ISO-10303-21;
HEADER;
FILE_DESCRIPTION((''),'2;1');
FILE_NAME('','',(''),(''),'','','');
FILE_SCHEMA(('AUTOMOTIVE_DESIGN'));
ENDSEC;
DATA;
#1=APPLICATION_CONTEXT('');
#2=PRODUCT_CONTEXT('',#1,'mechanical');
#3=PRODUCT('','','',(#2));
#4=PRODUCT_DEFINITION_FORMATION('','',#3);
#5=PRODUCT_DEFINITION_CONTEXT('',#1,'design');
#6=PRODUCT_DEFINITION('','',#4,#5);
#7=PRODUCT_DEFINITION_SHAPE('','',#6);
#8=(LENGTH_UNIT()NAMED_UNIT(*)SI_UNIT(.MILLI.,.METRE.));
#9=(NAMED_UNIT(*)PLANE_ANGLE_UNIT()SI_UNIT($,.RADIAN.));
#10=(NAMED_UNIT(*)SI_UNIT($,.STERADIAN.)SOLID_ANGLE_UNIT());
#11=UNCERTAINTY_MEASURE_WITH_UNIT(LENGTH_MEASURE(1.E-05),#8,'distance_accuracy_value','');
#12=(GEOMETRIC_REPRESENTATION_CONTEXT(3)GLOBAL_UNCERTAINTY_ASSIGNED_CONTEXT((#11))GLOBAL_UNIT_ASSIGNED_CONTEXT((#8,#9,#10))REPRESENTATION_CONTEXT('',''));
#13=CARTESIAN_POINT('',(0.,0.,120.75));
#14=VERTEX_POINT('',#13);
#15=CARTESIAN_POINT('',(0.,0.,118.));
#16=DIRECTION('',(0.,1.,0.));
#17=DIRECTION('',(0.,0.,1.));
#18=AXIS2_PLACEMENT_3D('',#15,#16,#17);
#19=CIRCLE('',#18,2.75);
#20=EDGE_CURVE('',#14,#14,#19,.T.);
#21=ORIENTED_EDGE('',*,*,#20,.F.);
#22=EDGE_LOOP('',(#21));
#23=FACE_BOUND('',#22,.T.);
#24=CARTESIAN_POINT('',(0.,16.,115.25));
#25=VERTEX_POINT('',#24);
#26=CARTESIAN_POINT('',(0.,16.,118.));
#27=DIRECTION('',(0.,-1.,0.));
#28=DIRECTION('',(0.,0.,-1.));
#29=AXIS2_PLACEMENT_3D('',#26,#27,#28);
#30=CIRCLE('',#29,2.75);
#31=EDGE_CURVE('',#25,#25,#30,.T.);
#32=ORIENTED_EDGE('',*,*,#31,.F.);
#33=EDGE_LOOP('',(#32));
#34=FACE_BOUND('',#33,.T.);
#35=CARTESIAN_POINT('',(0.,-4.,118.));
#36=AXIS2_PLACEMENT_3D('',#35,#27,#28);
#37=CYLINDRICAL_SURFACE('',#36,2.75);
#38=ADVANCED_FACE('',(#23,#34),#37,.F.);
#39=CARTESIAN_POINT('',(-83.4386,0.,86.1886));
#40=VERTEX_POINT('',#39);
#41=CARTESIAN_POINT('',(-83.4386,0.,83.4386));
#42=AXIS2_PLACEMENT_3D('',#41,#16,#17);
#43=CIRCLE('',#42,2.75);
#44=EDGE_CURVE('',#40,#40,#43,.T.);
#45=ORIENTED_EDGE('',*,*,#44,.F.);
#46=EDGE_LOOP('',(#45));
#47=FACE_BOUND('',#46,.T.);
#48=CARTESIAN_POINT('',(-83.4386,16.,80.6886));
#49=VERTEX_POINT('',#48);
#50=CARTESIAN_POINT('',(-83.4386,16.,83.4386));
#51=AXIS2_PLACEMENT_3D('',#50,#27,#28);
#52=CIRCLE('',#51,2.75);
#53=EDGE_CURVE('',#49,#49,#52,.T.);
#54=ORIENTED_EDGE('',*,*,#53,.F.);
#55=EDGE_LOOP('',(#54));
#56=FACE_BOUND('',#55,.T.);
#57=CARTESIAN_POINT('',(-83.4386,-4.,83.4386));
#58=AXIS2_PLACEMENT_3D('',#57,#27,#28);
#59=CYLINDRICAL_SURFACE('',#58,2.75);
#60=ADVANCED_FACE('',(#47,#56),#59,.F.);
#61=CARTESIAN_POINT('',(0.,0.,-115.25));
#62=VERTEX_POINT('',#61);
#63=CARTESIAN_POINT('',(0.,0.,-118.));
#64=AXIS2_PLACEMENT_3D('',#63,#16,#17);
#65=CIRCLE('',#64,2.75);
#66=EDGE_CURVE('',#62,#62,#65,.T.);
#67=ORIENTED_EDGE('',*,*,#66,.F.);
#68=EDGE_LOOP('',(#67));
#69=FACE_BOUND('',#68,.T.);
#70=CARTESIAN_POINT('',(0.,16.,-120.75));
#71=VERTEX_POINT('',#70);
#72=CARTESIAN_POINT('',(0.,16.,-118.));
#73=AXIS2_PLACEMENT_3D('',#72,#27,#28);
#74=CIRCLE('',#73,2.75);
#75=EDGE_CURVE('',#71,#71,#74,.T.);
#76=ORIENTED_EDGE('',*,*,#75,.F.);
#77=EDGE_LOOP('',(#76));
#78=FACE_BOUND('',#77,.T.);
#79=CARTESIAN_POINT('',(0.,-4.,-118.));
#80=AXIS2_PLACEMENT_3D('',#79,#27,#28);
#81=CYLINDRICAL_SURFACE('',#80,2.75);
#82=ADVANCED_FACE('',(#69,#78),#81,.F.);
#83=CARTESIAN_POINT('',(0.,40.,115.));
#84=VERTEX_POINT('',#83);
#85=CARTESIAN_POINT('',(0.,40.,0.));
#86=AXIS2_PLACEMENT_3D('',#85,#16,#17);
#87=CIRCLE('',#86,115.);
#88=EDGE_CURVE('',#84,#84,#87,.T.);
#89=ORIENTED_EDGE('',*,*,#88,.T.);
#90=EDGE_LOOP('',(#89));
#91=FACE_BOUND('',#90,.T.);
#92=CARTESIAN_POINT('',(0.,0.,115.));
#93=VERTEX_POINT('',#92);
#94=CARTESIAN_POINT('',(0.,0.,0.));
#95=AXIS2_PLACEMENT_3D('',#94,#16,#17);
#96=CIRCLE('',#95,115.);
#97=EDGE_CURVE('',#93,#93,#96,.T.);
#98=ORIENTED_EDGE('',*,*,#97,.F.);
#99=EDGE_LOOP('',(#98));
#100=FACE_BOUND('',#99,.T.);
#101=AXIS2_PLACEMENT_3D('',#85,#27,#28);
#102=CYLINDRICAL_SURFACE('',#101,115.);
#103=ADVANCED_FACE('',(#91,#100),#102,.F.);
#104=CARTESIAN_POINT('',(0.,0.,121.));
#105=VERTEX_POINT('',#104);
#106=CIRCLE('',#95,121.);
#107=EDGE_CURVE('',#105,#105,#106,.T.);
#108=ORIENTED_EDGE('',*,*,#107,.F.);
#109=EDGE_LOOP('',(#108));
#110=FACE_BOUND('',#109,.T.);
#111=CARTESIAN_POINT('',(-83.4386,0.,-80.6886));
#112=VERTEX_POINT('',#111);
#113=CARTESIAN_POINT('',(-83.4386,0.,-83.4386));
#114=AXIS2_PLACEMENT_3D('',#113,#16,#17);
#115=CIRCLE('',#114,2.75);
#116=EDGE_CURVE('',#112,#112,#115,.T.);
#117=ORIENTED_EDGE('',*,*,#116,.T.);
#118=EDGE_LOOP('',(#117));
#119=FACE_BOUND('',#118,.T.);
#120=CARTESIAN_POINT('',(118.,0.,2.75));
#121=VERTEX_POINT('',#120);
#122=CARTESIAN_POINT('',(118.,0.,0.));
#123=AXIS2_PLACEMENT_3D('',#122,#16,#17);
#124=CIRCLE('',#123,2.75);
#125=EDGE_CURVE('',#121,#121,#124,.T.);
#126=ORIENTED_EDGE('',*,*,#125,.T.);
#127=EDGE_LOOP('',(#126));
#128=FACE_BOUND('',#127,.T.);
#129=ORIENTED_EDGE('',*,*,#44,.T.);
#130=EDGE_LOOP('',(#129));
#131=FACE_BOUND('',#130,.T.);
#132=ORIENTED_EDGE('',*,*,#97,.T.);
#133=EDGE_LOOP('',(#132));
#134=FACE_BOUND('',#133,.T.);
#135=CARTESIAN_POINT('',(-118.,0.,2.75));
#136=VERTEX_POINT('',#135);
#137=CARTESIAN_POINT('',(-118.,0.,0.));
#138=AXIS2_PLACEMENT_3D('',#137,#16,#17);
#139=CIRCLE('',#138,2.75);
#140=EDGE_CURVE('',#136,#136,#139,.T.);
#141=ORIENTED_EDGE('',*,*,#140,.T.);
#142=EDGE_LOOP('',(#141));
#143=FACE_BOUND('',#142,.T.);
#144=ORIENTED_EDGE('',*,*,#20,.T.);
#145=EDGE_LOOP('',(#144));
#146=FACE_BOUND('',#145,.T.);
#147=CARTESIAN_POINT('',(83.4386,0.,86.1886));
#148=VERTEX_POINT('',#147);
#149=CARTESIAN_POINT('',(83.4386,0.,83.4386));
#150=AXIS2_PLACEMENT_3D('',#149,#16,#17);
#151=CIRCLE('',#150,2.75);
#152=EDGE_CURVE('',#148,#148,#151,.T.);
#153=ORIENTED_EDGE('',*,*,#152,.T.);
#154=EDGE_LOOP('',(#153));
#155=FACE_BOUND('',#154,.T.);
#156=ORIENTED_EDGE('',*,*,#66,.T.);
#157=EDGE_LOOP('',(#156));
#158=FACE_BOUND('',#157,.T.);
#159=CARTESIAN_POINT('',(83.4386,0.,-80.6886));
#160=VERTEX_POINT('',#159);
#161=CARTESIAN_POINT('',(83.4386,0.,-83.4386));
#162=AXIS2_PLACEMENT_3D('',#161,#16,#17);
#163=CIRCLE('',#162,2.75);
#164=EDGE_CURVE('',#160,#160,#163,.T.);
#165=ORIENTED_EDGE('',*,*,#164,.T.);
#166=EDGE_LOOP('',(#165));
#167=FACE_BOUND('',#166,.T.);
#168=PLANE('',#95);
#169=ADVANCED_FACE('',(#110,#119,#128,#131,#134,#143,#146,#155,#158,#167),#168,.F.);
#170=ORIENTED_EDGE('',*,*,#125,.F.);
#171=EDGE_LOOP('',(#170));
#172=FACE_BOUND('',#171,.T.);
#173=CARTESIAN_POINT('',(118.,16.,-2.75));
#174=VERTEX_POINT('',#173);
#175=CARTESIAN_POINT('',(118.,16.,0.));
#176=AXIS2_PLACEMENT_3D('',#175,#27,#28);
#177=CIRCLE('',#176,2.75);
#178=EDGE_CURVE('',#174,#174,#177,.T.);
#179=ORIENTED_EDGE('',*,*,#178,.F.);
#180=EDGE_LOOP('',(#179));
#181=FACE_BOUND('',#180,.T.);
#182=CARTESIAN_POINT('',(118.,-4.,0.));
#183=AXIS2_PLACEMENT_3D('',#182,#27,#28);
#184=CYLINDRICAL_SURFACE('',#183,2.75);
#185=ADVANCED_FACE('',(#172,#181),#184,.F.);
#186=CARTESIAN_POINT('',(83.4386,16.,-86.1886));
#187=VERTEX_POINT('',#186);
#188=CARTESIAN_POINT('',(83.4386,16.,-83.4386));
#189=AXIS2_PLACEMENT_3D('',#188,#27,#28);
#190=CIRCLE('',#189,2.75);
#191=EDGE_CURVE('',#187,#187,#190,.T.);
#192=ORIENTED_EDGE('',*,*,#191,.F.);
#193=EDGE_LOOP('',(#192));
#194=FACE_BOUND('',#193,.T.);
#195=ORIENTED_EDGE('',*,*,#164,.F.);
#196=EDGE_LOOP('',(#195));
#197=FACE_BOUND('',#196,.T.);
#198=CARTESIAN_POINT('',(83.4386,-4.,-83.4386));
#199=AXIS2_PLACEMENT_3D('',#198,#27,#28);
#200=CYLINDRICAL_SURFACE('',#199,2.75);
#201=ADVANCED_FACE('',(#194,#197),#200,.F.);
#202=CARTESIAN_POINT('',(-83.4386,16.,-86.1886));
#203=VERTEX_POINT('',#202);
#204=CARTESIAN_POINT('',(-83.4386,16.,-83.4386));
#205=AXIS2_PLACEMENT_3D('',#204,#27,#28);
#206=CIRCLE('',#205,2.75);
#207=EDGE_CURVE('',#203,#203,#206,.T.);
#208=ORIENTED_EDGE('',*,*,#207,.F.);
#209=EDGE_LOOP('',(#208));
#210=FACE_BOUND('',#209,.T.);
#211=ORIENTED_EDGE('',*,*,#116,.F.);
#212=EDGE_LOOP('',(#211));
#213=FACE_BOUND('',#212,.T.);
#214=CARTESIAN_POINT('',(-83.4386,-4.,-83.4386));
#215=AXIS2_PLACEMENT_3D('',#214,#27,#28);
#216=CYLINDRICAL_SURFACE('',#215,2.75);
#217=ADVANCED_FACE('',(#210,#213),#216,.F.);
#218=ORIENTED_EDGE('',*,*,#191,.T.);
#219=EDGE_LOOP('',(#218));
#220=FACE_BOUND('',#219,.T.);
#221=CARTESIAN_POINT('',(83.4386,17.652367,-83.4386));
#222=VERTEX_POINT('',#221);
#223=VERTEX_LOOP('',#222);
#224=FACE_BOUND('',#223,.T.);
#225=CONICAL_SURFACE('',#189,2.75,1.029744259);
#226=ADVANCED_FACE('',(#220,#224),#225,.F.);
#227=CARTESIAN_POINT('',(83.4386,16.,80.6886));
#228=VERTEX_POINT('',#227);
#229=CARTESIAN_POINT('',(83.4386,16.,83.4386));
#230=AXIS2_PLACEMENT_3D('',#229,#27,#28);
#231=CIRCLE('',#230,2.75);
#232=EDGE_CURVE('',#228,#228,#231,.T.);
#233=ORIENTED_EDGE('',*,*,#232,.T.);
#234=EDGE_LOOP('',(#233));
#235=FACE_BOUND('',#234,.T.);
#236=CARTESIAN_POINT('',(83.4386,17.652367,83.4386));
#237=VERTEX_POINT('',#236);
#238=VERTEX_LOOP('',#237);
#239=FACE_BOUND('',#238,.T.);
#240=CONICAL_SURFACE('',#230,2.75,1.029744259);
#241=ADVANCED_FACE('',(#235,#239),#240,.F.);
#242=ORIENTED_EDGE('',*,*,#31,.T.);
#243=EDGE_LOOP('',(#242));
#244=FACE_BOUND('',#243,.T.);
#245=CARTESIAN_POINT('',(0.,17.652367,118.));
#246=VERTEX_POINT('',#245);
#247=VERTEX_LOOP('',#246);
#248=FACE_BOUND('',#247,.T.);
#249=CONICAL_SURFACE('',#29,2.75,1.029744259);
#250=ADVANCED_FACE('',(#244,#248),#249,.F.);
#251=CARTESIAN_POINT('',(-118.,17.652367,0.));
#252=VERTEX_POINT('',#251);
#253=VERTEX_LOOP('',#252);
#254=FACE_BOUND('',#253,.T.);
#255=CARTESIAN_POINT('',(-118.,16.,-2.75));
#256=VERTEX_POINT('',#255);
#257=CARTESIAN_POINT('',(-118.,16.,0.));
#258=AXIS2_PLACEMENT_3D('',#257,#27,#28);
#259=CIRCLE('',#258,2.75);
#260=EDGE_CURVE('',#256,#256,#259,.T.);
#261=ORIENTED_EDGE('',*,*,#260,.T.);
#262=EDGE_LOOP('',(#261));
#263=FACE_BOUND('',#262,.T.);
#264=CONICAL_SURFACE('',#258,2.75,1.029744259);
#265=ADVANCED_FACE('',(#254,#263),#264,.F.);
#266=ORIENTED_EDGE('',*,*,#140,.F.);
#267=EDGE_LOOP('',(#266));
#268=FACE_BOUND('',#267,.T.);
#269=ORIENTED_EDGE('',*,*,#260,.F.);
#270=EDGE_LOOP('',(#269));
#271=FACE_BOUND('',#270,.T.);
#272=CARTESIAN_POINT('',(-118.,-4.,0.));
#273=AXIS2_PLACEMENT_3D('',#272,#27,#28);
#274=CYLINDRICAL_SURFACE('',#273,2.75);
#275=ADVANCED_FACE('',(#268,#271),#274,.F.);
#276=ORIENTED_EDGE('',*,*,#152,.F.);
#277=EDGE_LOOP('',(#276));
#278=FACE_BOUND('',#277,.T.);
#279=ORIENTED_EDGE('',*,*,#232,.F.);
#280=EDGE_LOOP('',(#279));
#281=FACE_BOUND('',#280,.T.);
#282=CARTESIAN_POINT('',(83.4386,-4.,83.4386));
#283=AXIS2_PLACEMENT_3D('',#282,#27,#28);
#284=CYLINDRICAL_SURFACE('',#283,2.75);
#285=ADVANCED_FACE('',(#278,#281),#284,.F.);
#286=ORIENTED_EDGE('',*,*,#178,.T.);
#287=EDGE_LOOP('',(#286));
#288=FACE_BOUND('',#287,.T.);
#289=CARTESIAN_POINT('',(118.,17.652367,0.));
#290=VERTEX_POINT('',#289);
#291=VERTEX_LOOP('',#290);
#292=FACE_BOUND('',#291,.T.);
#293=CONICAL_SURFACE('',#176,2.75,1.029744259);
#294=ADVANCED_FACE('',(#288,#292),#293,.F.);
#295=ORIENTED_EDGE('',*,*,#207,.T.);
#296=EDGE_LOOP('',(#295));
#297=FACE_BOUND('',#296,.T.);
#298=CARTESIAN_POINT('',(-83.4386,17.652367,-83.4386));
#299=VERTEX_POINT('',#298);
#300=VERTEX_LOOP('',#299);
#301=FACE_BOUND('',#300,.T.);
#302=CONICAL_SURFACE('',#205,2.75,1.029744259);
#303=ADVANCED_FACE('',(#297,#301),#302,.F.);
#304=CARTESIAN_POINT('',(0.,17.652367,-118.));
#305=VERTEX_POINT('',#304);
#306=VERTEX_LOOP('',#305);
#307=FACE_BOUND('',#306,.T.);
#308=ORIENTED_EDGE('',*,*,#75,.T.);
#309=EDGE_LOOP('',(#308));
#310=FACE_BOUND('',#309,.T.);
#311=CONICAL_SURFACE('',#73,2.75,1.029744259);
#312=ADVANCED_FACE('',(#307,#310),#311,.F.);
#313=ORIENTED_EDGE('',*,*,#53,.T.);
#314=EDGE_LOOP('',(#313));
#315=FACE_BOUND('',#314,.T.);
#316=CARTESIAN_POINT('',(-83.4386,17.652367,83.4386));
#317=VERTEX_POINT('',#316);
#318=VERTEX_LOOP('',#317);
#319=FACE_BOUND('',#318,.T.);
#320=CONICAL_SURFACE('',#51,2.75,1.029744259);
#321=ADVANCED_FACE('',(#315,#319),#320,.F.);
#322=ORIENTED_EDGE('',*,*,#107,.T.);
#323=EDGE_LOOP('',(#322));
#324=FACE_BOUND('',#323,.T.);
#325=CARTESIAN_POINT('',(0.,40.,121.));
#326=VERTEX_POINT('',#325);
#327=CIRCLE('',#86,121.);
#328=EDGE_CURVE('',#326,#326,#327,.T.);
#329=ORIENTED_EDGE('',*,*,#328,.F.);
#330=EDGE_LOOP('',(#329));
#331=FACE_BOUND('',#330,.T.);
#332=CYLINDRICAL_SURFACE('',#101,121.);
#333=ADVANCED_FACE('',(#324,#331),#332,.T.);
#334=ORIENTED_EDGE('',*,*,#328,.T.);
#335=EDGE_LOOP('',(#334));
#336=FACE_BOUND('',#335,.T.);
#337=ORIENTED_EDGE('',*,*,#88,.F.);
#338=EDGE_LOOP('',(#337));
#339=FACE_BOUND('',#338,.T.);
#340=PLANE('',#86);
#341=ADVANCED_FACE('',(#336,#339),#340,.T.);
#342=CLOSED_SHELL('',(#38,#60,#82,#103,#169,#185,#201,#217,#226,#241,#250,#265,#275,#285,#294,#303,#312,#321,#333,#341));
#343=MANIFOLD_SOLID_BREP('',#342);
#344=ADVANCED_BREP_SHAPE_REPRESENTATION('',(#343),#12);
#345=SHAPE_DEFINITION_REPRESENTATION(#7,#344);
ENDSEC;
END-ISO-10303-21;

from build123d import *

# Parameters (mm, degrees)
BASE_R                                               = 121
BASE_R_2                                             = 115
BASE_EXTRUDE_DEPTH                                   = 40
CSK_FOR_M5_COUNTERSUNK_RAISED_HEAD_SCREW_D           = 5.5
CSK_FOR_M5_COUNTERSUNK_RAISED_HEAD_SCREW_DEPTH       = 20
CSK_FOR_M5_COUNTERSUNK_RAISED_HEAD_SCREW_CSINK_D     = 10.4
CSK_FOR_M5_COUNTERSUNK_RAISED_HEAD_SCREW_CSINK_ANGLE = 90
CSK_FOR_M5_COUNTERSUNK_RAISED_HEAD_SCREW_TIP         = 1.652366702


with BuildPart() as part:
    # Base → Base-Extrude (new body)
    with BuildSketch(Plane(origin=(0, 0, 0), x_dir=(1, 0, 0), z_dir=(0, 1, 0))):
        with Locations(Location((0, 0, 0), (0, 0, 270))):
            Circle(BASE_R)
        with Locations(Location((0, 0, 0), (0, 0, 270))):
            Circle(BASE_R_2, mode=Mode.SUBTRACT)
    extrude(amount=BASE_EXTRUDE_DEPTH)

    # CSK for M5 Countersunk Raised Head Screw1
    with Locations(Plane(origin=(37.968714772, -4, -14.434938782), x_dir=(-1, 0, 0), z_dir=(0, -1, 0))):
        with Locations((-45.469885408, -97.873538962), (-80.031285228, -14.434938782), (-45.469885408, 69.003661398), (37.968714772, 103.565061218), (121.407314952, 69.003661398), (155.968714772, -14.434938782), (121.407314952, -97.873538962), (37.968714772, -132.434938782)):
            CounterSinkHole(CSK_FOR_M5_COUNTERSUNK_RAISED_HEAD_SCREW_D / 2, CSK_FOR_M5_COUNTERSUNK_RAISED_HEAD_SCREW_CSINK_D / 2, depth=CSK_FOR_M5_COUNTERSUNK_RAISED_HEAD_SCREW_DEPTH, counter_sink_angle=CSK_FOR_M5_COUNTERSUNK_RAISED_HEAD_SCREW_CSINK_ANGLE)
            with Locations((0, 0, -(CSK_FOR_M5_COUNTERSUNK_RAISED_HEAD_SCREW_DEPTH + CSK_FOR_M5_COUNTERSUNK_RAISED_HEAD_SCREW_TIP / 2))):  # 118° drill point
                Cone(0, CSK_FOR_M5_COUNTERSUNK_RAISED_HEAD_SCREW_D / 2, CSK_FOR_M5_COUNTERSUNK_RAISED_HEAD_SCREW_TIP, mode=Mode.SUBTRACT)


solid = part.part
